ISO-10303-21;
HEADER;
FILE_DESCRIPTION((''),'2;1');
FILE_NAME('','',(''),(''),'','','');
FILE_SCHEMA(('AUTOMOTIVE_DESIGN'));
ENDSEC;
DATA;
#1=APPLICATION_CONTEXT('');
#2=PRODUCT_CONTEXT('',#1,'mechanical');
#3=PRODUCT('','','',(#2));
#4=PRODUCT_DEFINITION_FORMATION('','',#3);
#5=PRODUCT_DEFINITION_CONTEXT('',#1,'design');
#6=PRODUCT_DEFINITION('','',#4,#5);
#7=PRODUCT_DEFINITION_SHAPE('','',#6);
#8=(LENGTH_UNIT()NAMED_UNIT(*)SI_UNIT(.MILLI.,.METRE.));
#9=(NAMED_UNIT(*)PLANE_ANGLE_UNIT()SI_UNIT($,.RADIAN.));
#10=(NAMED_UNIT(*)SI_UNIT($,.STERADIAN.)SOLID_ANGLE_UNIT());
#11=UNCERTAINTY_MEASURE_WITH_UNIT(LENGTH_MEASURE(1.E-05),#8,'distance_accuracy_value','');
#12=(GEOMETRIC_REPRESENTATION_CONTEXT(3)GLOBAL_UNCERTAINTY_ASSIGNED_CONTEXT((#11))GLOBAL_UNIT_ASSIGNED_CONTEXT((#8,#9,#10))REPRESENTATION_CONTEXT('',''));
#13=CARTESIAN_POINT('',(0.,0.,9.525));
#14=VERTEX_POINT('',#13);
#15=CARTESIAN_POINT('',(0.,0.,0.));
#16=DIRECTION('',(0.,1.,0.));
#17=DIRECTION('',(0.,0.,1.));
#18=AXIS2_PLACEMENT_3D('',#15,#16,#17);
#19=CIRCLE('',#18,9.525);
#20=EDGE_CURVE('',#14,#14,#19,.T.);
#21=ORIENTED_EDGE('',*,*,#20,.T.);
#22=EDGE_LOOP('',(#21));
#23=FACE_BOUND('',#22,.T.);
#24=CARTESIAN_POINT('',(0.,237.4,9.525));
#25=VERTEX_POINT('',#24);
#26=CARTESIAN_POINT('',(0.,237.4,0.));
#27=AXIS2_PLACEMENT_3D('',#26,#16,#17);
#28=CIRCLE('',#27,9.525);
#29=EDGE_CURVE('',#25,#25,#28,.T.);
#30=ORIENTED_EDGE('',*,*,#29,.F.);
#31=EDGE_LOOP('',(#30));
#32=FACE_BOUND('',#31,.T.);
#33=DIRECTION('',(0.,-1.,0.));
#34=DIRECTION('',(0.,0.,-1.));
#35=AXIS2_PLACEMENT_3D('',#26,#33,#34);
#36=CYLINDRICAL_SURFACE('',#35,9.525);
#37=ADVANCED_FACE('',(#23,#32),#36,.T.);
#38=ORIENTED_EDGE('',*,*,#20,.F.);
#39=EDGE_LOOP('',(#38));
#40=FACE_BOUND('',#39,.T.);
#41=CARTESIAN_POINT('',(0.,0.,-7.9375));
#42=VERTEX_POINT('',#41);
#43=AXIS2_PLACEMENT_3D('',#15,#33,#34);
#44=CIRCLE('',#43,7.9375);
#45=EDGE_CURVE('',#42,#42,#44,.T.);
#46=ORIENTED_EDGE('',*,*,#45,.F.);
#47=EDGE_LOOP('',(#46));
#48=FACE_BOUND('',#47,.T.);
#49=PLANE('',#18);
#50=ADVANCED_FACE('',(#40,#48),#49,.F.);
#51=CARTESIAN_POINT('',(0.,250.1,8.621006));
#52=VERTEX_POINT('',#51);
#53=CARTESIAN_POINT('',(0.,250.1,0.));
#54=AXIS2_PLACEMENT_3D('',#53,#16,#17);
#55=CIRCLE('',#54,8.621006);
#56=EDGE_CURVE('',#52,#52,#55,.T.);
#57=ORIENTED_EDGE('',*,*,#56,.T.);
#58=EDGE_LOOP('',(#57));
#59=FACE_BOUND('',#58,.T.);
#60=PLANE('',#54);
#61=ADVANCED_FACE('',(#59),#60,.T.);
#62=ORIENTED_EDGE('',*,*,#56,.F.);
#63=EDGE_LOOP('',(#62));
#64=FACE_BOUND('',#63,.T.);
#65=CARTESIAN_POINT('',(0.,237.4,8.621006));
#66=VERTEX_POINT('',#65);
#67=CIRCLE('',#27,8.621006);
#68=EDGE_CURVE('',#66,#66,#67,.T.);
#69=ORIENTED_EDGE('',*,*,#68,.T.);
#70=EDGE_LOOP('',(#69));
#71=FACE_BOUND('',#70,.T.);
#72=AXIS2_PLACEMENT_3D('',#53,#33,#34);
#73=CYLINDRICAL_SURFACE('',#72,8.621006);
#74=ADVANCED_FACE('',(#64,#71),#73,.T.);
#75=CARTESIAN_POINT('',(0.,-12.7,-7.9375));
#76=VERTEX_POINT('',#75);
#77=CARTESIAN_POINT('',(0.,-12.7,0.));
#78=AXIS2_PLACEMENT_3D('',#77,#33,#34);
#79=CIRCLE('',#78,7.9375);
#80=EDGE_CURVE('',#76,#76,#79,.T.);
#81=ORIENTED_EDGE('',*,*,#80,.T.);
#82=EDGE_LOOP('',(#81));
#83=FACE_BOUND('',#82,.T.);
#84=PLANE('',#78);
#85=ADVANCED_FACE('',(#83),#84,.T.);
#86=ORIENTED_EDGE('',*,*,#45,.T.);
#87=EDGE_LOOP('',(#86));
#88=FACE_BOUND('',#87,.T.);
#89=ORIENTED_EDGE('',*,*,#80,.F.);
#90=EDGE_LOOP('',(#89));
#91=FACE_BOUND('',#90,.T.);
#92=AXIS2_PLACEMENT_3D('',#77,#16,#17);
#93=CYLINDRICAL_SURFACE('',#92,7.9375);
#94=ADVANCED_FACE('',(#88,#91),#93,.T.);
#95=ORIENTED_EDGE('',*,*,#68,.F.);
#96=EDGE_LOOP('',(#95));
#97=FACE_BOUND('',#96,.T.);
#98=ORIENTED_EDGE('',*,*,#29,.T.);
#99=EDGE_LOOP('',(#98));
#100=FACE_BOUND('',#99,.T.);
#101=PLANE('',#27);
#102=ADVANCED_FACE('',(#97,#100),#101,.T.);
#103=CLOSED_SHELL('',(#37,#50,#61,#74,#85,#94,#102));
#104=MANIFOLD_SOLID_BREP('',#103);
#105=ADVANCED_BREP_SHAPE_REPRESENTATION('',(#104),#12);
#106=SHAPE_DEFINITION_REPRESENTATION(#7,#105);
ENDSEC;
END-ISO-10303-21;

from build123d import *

# Parameters (mm, degrees)
SKETCH2_R           = 9.525
BOSS_EXTRUDE1_DEPTH = 237.399999964
SKETCH3_R           = 8.621005773
BOSS_EXTRUDE2_DEPTH = 12.7
SKETCH4_R           = 7.9375
BOSS_EXTRUDE3_DEPTH = 12.7


with BuildPart() as part:
    # Sketch2 → Boss-Extrude1 (new body)
    with BuildSketch(Plane(origin=(0, 0, 0), x_dir=(1, 0, 0), z_dir=(0, 1, 0))):
        Circle(SKETCH2_R)
    extrude(amount=BOSS_EXTRUDE1_DEPTH)

    # Sketch3 → Boss-Extrude2 (add)
    with BuildSketch(Plane(origin=(0, 237.399999964, 0), x_dir=(1, 0, 0), z_dir=(0, 1, 0))):
        Circle(SKETCH3_R)
    extrude(amount=BOSS_EXTRUDE2_DEPTH)

    # Sketch4 → Boss-Extrude3 (add)
    with BuildSketch(Plane.XZ):
        Circle(SKETCH4_R)
    extrude(amount=BOSS_EXTRUDE3_DEPTH)


solid = part.part
